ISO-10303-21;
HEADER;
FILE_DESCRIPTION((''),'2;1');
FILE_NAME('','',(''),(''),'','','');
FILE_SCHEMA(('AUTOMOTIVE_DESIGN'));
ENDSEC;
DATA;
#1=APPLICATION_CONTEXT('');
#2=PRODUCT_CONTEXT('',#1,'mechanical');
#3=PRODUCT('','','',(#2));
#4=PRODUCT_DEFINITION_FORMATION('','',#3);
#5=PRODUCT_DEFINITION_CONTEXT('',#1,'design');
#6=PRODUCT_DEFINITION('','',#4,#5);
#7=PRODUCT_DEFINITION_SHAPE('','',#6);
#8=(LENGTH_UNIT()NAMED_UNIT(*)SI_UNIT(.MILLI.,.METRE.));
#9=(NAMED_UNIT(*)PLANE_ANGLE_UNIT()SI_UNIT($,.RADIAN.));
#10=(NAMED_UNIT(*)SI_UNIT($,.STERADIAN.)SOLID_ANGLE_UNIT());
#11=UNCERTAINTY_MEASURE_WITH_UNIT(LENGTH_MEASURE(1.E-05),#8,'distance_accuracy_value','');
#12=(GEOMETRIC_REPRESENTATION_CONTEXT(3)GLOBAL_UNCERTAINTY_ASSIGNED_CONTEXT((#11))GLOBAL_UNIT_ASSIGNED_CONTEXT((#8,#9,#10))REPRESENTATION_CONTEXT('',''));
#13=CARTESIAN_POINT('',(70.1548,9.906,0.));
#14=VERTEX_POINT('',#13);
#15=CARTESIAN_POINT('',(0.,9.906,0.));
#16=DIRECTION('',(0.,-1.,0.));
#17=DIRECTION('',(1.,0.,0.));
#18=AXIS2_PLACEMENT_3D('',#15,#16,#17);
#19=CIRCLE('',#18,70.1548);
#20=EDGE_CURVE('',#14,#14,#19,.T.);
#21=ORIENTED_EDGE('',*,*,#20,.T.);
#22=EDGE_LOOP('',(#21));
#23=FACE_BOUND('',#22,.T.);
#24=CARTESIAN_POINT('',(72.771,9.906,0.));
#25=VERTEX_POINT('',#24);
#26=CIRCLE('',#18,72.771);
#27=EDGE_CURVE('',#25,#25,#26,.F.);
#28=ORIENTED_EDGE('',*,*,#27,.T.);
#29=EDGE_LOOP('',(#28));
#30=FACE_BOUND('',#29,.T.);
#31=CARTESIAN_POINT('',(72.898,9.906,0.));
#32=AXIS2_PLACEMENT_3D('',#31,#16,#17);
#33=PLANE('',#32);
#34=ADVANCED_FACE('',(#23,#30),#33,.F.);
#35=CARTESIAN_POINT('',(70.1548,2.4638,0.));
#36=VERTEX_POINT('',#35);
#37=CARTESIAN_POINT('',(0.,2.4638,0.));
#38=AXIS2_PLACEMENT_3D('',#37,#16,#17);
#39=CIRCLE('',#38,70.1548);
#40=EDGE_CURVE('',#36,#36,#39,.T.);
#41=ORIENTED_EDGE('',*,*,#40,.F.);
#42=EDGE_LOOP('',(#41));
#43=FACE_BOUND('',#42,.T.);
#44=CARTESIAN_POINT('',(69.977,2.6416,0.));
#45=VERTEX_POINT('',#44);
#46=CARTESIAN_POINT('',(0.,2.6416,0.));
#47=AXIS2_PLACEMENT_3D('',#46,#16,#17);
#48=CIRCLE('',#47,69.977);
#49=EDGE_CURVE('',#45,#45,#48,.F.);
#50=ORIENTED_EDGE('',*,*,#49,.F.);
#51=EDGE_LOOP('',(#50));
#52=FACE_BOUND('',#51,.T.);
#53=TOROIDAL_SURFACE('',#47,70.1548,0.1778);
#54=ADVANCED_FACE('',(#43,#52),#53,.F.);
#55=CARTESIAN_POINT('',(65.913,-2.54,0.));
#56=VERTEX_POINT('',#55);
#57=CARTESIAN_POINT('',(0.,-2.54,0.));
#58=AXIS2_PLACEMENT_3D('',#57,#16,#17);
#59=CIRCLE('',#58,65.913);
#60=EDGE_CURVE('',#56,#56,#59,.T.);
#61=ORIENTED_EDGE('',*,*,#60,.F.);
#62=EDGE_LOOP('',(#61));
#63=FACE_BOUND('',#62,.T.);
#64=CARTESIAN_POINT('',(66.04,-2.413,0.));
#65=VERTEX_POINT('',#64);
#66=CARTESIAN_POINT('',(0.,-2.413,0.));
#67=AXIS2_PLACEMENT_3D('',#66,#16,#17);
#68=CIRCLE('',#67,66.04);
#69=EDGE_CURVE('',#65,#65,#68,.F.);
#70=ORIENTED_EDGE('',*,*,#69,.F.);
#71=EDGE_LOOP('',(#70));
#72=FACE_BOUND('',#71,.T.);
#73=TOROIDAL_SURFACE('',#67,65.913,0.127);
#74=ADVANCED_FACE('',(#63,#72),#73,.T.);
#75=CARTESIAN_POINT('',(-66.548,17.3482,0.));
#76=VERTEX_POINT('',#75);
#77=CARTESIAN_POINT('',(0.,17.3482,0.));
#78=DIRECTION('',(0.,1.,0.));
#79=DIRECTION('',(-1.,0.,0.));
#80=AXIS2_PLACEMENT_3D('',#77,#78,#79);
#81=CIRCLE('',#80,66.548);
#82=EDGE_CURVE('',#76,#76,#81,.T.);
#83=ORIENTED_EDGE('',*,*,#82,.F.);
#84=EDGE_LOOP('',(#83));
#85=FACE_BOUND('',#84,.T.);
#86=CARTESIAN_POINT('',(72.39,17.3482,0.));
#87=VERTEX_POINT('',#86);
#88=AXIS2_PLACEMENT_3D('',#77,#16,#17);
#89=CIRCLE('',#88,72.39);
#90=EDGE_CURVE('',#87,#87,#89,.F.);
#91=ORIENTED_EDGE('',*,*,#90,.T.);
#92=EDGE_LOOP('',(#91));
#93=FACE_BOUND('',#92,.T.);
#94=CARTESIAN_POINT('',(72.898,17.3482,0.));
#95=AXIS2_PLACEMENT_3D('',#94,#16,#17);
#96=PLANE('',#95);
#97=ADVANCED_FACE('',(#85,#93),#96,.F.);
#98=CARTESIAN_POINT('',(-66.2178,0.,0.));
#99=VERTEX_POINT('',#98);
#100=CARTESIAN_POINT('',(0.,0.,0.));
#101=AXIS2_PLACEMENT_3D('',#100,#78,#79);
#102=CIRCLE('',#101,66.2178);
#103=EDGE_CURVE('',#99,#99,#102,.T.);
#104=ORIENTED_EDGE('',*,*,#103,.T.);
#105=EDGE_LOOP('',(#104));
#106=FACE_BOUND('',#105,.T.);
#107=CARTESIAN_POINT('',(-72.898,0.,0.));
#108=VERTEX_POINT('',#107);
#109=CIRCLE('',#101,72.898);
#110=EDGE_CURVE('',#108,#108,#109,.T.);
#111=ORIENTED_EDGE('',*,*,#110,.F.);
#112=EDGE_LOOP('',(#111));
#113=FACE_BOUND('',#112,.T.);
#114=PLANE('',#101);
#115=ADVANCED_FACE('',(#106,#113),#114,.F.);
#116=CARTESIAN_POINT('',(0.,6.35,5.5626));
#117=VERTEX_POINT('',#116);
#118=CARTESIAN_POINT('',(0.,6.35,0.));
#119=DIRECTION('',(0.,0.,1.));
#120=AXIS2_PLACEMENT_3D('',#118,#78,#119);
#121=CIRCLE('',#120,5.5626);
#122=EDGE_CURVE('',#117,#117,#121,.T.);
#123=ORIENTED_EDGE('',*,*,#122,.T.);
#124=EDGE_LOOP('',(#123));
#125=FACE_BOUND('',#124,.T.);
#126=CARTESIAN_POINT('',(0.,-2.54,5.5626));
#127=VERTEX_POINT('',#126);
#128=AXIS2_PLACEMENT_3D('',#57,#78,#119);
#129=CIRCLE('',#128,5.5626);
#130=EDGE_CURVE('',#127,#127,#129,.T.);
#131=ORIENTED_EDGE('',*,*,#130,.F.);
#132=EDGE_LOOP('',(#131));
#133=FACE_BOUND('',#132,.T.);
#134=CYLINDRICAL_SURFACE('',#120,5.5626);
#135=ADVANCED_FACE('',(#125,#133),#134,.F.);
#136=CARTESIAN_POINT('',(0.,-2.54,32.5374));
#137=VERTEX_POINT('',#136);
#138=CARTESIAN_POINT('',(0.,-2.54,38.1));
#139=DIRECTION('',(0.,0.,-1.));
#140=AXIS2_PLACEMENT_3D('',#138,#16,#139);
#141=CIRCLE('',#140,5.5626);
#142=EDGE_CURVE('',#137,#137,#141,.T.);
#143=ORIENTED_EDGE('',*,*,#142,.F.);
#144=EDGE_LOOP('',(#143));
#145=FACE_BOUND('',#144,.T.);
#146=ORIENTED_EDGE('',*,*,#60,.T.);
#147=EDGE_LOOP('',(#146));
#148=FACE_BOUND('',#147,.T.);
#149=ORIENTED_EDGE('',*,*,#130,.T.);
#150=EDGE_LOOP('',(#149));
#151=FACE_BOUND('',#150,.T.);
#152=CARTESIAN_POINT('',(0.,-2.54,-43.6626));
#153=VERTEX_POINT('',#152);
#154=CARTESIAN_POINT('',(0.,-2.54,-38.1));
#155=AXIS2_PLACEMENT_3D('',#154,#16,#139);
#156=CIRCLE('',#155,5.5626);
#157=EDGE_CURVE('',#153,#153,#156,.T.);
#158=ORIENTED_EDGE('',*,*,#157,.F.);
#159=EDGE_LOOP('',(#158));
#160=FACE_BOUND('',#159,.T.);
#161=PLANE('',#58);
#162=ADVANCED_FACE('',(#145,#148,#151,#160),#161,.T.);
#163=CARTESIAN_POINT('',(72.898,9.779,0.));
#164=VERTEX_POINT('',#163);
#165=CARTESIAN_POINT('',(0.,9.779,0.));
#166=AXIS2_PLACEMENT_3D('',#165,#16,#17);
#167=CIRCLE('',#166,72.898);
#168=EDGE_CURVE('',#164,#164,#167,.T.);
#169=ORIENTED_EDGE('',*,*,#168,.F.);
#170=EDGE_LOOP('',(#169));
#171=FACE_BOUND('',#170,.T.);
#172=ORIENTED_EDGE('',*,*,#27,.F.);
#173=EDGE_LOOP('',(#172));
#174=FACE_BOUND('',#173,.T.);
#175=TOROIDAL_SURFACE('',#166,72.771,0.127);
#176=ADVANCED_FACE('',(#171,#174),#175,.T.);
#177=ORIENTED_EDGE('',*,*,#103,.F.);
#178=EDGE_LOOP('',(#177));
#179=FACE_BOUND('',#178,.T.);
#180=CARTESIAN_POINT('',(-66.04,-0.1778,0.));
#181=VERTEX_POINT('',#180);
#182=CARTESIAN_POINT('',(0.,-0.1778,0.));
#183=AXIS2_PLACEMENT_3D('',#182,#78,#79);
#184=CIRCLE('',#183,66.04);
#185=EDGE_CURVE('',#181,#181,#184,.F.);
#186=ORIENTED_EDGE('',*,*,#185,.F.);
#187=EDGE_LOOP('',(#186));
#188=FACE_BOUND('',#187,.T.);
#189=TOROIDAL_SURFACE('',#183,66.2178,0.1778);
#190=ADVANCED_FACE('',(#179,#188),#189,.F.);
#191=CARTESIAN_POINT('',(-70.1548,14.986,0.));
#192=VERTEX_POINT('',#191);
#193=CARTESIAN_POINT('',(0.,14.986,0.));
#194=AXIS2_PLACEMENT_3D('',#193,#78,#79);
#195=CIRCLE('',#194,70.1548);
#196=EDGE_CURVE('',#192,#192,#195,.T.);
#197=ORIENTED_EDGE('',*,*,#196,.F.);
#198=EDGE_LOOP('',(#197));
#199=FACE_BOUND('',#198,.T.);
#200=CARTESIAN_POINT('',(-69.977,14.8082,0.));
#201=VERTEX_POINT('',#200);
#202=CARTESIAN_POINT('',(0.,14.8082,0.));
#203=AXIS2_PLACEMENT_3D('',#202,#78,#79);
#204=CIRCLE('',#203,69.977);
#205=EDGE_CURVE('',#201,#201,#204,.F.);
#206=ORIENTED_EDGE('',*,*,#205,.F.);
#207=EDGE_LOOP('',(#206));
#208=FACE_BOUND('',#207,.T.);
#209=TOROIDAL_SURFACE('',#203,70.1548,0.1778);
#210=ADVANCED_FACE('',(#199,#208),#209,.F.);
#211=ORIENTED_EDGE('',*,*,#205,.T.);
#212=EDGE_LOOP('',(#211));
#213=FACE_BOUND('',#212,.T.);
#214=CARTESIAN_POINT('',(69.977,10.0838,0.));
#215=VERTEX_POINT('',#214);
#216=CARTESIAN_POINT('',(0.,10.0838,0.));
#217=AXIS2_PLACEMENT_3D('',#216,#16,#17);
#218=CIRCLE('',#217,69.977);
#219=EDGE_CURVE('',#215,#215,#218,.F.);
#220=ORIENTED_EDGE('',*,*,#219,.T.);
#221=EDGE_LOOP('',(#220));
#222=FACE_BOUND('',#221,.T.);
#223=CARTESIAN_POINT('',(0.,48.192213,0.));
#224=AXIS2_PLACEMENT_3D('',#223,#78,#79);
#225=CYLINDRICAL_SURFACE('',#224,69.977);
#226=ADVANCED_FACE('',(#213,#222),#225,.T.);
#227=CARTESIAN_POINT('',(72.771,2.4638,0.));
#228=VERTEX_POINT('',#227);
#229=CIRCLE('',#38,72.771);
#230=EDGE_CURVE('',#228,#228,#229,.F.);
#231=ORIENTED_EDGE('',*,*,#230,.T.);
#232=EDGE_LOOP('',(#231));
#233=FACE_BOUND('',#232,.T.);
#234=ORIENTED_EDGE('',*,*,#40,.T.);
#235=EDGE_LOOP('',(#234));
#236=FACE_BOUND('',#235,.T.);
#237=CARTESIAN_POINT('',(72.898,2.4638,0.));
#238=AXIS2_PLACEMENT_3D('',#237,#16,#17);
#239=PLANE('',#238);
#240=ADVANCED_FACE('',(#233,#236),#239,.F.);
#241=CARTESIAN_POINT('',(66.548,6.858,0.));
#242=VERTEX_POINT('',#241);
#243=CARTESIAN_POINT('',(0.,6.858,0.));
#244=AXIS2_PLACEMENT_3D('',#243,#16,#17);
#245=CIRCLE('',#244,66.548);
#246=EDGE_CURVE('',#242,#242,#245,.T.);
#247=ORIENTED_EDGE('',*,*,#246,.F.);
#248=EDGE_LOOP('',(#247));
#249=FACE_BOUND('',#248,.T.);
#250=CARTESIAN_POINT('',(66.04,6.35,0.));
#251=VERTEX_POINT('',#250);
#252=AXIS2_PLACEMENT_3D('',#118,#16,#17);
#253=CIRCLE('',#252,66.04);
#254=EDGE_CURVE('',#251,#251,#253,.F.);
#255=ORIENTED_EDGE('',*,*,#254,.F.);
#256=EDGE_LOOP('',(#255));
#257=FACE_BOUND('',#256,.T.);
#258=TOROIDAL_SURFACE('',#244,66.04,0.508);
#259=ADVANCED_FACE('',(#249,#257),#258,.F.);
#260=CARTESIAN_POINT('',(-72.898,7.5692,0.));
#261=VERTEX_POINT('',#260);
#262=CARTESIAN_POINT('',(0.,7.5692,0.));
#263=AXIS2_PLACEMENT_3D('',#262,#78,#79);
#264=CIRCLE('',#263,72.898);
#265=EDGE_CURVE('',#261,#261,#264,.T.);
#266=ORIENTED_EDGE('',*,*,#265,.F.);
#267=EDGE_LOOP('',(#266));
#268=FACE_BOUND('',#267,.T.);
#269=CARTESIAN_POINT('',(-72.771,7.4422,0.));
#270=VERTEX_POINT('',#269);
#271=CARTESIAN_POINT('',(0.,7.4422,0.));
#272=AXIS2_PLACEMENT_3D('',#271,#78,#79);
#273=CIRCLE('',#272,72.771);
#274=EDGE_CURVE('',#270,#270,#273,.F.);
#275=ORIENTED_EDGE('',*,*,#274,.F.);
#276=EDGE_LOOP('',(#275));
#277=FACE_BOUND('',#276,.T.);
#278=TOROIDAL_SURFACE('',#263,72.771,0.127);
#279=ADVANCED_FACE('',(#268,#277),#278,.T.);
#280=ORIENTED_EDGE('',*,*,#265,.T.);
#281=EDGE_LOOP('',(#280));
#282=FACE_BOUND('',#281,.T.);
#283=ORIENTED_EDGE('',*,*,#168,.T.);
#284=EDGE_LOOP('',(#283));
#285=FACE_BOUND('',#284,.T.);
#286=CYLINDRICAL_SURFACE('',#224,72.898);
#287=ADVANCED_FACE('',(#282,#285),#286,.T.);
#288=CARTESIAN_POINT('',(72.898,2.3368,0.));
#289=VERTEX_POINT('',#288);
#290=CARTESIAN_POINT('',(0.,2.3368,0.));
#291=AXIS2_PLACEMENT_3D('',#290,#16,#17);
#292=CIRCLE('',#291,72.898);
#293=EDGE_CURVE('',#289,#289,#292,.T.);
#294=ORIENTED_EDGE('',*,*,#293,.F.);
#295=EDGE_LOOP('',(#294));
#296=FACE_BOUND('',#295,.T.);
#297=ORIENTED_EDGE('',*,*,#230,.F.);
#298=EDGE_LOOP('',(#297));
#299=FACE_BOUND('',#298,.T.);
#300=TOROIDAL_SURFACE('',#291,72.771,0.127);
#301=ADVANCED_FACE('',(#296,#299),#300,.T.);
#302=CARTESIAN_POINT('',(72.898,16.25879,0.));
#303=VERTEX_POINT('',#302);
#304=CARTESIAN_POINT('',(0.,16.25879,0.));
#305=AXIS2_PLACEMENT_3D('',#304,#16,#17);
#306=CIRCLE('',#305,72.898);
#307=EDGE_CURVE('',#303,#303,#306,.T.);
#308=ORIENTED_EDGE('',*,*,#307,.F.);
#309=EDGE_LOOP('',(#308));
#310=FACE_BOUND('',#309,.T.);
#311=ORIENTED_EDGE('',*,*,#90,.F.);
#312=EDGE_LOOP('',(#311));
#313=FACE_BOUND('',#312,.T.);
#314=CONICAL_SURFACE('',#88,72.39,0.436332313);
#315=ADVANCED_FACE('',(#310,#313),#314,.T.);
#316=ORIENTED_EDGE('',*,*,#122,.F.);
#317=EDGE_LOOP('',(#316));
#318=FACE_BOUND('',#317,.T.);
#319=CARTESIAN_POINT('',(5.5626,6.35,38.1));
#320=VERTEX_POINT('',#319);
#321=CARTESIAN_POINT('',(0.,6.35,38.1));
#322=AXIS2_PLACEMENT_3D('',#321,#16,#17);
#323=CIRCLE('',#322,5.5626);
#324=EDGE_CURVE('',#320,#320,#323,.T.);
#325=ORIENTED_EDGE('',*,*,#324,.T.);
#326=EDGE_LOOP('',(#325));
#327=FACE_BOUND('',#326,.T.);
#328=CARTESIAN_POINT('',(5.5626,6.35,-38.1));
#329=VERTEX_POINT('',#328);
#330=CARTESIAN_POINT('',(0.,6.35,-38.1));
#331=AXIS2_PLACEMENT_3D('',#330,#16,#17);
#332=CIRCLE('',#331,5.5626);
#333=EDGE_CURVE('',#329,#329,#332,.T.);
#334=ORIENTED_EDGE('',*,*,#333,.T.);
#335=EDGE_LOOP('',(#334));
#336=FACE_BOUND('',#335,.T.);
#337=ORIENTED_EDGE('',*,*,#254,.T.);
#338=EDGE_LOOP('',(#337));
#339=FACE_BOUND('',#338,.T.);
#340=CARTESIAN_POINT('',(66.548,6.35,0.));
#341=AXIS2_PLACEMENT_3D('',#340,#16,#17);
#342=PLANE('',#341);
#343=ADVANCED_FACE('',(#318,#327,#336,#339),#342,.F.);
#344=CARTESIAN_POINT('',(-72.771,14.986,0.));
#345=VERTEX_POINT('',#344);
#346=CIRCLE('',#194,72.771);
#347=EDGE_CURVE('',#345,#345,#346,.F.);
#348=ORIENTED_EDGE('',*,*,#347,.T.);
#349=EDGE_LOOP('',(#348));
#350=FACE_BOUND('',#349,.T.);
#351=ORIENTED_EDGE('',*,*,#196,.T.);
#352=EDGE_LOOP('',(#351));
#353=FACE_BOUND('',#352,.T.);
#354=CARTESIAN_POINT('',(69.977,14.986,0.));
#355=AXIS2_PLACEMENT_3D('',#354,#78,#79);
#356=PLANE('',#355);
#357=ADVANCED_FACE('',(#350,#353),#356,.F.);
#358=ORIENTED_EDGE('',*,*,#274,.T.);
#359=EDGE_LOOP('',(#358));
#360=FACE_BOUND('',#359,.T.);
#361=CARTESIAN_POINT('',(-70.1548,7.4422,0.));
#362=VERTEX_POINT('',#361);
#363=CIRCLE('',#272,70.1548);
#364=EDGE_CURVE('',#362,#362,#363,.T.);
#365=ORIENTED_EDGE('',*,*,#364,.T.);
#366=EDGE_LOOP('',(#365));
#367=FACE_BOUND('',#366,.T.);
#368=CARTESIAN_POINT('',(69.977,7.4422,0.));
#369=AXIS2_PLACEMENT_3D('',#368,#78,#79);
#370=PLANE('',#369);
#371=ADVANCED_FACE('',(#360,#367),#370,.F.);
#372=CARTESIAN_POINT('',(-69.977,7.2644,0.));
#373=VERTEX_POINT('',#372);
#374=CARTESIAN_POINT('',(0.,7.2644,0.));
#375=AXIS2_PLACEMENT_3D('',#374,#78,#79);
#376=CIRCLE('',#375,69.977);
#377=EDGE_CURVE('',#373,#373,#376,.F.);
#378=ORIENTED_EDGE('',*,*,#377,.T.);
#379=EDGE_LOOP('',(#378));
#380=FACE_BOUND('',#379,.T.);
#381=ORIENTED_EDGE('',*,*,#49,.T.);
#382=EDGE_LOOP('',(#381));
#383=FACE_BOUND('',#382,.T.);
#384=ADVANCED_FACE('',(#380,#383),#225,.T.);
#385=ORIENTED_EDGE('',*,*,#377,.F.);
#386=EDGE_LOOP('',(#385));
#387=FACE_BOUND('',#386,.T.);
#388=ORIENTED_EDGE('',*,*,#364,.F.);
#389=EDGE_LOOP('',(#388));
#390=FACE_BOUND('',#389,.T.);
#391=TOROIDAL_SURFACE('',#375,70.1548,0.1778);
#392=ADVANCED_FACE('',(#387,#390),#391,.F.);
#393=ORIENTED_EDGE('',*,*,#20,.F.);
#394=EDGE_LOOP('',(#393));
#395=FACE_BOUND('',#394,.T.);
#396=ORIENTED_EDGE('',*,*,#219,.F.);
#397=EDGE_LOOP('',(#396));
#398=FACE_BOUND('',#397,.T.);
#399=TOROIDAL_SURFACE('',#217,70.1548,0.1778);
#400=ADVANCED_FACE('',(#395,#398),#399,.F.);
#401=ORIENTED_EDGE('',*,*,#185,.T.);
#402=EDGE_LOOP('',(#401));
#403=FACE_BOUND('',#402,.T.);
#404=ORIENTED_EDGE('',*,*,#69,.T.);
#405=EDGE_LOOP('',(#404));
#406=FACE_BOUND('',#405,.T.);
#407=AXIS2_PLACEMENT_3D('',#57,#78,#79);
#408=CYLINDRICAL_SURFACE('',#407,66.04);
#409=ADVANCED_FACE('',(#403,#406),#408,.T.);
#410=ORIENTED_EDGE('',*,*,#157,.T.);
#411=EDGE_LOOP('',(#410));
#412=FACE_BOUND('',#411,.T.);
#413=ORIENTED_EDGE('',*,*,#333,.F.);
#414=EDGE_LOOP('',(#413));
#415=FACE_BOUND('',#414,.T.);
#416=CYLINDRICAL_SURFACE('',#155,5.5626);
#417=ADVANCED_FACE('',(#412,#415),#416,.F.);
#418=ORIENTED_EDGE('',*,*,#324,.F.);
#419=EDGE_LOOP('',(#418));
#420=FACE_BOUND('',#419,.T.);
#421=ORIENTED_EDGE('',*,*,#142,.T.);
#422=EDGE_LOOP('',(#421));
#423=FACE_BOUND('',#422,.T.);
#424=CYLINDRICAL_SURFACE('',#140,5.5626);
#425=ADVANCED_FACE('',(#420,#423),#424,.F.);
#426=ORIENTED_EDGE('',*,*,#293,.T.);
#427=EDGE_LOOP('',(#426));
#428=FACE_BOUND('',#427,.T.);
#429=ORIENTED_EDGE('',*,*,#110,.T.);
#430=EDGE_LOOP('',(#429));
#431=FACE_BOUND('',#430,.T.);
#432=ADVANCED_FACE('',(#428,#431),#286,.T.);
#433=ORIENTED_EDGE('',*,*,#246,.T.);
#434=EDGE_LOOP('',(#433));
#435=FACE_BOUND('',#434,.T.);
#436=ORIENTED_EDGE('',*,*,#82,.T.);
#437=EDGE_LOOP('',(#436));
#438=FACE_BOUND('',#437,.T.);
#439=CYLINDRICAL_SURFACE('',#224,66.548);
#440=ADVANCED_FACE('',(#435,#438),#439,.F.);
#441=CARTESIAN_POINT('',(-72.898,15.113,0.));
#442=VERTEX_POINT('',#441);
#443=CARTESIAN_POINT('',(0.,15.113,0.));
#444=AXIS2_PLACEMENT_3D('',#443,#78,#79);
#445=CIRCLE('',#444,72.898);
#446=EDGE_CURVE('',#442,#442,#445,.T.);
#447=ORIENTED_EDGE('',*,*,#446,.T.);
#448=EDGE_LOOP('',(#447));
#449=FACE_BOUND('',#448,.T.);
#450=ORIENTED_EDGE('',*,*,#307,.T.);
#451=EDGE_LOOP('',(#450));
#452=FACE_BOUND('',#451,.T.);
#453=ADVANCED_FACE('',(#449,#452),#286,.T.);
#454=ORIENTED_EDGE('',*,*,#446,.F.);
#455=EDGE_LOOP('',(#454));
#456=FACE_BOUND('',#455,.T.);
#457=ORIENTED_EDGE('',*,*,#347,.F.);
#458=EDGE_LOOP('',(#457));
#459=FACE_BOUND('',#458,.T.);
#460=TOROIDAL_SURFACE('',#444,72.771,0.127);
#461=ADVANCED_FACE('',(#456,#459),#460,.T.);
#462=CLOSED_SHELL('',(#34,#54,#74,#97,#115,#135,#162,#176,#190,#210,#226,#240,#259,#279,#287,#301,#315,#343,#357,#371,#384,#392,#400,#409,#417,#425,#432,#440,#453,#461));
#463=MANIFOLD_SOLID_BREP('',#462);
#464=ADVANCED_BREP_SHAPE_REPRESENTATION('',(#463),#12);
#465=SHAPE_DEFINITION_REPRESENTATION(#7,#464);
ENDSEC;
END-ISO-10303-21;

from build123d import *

# Parameters (mm, degrees)
SKETCH6_R                                = 66.04
BOSS_EXTRUDE1_DEPTH                      = 2.54
PIPE_TAP_DRILL_FOR_1_4_TAP_GN2_D         = 11.1252
CNC_ID_FILLET_R                          = 0.1778
CNC_OD_FILLET_R                          = 0.127
CNC_CHAMFERS_SIZE                        = 0.508
CNC_CHAMFERS_SIZE2                       = 1.089409516
CNC_BORE_FILLET_R                        = 0.508
PIPE_TAP_DRILL_FOR_1_4_TAP_RELIEF_VALV_D = 11.1252
PIPE_TAP_DRILL_FOR_1_4_TAP_VENT_VALVE_D  = 11.1252


with BuildPart() as part:
    # Sketch1 → Revolve1 (revolve)
    with BuildSketch(Plane.XY, mode=Mode.PRIVATE) as revolve1_sk:
        Polygon((0, 0), (72.898, 0), (72.898, 2.4638), (69.977, 2.4638), (69.977, 7.4422), (72.898, 7.4422), (72.898, 9.906), (69.977, 9.906), (69.977, 14.986), (72.898, 14.986), (72.898, 17.3482), (66.548, 17.3482), (66.548, 6.35), (0, 6.35), align=None)
    revolve(revolve1_sk.sketch.rotate(Axis((0, 48.192213231, 0), (0, -1, 0)), 180), axis=Axis((0, 48.192213231, 0), (0, -1, 0)))

    # Sketch6 → Boss-Extrude1 (add)
    with BuildSketch(Plane.XZ):
        Circle(SKETCH6_R)
    extrude(amount=BOSS_EXTRUDE1_DEPTH)

    # Pipe Tap Drill for 1/4 Tap - GN2 (through all)
    with Locations(Plane(origin=(0, 6.35, 0), x_dir=(1, 0, 0), z_dir=(0, 1, 0))):
        with Locations((0, 0)):
            Hole(PIPE_TAP_DRILL_FOR_1_4_TAP_GN2_D / 2)

    # CNC ID Fillet
    cnc_id_fillet_edges = [part.edges().sort_by_distance(p)[0] for p in [
        (69.977, 14.986, 0),
        (69.977, 9.906, 0),
        (69.977, 7.4422, 0),
        (69.977, 2.4638, 0),
        (-66.04, 0, 0),
    ]]
    fillet(cnc_id_fillet_edges, radius=CNC_ID_FILLET_R)

    # CNC OD Fillet
    cnc_od_fillet_edges = [part.edges().sort_by_distance(p)[0] for p in [
        (72.898, 14.986, 0),
        (72.898, 9.906, 0),
        (72.898, 7.4422, 0),
        (72.898, 2.4638, 0),
        (-66.04, -2.54, 0),
    ]]
    fillet(cnc_od_fillet_edges, radius=CNC_OD_FILLET_R)

    # CNC Chamfers
    cnc_chamfers_edges = [part.edges().sort_by_distance(p)[0] for p in [
        (72.898, 17.3482, 0),
    ]]
    cnc_chamfers_side = [part.faces().sort_by_distance(p)[0] for p in [
        (70.836133195, 17.3482, 0),
    ]]
    chamfer(cnc_chamfers_edges, length=CNC_CHAMFERS_SIZE, length2=CNC_CHAMFERS_SIZE2, reference=cnc_chamfers_side[0])

    # CNC Bore Fillet
    cnc_bore_fillet_edges = [part.edges().sort_by_distance(p)[0] for p in [
        (66.548, 6.35, 0),
    ]]
    fillet(cnc_bore_fillet_edges, radius=CNC_BORE_FILLET_R)

    # Pipe Tap Drill for 1/4 Tap - Relief Valve (through all)
    with Locations(Plane(origin=(0, -2.54, 0), x_dir=(-1, 0, 0), z_dir=(0, -1, 0))):
        with Locations((0, 38.1)):
            Hole(PIPE_TAP_DRILL_FOR_1_4_TAP_RELIEF_VALV_D / 2)

    # Pipe Tap Drill for 1/4 Tap - Vent Valve (through all)
    with Locations(Plane(origin=(0, -2.54, 0), x_dir=(-1, 0, 0), z_dir=(0, -1, 0))):
        with Locations((0, -38.1)):
            Hole(PIPE_TAP_DRILL_FOR_1_4_TAP_VENT_VALVE_D / 2)


solid = part.part
